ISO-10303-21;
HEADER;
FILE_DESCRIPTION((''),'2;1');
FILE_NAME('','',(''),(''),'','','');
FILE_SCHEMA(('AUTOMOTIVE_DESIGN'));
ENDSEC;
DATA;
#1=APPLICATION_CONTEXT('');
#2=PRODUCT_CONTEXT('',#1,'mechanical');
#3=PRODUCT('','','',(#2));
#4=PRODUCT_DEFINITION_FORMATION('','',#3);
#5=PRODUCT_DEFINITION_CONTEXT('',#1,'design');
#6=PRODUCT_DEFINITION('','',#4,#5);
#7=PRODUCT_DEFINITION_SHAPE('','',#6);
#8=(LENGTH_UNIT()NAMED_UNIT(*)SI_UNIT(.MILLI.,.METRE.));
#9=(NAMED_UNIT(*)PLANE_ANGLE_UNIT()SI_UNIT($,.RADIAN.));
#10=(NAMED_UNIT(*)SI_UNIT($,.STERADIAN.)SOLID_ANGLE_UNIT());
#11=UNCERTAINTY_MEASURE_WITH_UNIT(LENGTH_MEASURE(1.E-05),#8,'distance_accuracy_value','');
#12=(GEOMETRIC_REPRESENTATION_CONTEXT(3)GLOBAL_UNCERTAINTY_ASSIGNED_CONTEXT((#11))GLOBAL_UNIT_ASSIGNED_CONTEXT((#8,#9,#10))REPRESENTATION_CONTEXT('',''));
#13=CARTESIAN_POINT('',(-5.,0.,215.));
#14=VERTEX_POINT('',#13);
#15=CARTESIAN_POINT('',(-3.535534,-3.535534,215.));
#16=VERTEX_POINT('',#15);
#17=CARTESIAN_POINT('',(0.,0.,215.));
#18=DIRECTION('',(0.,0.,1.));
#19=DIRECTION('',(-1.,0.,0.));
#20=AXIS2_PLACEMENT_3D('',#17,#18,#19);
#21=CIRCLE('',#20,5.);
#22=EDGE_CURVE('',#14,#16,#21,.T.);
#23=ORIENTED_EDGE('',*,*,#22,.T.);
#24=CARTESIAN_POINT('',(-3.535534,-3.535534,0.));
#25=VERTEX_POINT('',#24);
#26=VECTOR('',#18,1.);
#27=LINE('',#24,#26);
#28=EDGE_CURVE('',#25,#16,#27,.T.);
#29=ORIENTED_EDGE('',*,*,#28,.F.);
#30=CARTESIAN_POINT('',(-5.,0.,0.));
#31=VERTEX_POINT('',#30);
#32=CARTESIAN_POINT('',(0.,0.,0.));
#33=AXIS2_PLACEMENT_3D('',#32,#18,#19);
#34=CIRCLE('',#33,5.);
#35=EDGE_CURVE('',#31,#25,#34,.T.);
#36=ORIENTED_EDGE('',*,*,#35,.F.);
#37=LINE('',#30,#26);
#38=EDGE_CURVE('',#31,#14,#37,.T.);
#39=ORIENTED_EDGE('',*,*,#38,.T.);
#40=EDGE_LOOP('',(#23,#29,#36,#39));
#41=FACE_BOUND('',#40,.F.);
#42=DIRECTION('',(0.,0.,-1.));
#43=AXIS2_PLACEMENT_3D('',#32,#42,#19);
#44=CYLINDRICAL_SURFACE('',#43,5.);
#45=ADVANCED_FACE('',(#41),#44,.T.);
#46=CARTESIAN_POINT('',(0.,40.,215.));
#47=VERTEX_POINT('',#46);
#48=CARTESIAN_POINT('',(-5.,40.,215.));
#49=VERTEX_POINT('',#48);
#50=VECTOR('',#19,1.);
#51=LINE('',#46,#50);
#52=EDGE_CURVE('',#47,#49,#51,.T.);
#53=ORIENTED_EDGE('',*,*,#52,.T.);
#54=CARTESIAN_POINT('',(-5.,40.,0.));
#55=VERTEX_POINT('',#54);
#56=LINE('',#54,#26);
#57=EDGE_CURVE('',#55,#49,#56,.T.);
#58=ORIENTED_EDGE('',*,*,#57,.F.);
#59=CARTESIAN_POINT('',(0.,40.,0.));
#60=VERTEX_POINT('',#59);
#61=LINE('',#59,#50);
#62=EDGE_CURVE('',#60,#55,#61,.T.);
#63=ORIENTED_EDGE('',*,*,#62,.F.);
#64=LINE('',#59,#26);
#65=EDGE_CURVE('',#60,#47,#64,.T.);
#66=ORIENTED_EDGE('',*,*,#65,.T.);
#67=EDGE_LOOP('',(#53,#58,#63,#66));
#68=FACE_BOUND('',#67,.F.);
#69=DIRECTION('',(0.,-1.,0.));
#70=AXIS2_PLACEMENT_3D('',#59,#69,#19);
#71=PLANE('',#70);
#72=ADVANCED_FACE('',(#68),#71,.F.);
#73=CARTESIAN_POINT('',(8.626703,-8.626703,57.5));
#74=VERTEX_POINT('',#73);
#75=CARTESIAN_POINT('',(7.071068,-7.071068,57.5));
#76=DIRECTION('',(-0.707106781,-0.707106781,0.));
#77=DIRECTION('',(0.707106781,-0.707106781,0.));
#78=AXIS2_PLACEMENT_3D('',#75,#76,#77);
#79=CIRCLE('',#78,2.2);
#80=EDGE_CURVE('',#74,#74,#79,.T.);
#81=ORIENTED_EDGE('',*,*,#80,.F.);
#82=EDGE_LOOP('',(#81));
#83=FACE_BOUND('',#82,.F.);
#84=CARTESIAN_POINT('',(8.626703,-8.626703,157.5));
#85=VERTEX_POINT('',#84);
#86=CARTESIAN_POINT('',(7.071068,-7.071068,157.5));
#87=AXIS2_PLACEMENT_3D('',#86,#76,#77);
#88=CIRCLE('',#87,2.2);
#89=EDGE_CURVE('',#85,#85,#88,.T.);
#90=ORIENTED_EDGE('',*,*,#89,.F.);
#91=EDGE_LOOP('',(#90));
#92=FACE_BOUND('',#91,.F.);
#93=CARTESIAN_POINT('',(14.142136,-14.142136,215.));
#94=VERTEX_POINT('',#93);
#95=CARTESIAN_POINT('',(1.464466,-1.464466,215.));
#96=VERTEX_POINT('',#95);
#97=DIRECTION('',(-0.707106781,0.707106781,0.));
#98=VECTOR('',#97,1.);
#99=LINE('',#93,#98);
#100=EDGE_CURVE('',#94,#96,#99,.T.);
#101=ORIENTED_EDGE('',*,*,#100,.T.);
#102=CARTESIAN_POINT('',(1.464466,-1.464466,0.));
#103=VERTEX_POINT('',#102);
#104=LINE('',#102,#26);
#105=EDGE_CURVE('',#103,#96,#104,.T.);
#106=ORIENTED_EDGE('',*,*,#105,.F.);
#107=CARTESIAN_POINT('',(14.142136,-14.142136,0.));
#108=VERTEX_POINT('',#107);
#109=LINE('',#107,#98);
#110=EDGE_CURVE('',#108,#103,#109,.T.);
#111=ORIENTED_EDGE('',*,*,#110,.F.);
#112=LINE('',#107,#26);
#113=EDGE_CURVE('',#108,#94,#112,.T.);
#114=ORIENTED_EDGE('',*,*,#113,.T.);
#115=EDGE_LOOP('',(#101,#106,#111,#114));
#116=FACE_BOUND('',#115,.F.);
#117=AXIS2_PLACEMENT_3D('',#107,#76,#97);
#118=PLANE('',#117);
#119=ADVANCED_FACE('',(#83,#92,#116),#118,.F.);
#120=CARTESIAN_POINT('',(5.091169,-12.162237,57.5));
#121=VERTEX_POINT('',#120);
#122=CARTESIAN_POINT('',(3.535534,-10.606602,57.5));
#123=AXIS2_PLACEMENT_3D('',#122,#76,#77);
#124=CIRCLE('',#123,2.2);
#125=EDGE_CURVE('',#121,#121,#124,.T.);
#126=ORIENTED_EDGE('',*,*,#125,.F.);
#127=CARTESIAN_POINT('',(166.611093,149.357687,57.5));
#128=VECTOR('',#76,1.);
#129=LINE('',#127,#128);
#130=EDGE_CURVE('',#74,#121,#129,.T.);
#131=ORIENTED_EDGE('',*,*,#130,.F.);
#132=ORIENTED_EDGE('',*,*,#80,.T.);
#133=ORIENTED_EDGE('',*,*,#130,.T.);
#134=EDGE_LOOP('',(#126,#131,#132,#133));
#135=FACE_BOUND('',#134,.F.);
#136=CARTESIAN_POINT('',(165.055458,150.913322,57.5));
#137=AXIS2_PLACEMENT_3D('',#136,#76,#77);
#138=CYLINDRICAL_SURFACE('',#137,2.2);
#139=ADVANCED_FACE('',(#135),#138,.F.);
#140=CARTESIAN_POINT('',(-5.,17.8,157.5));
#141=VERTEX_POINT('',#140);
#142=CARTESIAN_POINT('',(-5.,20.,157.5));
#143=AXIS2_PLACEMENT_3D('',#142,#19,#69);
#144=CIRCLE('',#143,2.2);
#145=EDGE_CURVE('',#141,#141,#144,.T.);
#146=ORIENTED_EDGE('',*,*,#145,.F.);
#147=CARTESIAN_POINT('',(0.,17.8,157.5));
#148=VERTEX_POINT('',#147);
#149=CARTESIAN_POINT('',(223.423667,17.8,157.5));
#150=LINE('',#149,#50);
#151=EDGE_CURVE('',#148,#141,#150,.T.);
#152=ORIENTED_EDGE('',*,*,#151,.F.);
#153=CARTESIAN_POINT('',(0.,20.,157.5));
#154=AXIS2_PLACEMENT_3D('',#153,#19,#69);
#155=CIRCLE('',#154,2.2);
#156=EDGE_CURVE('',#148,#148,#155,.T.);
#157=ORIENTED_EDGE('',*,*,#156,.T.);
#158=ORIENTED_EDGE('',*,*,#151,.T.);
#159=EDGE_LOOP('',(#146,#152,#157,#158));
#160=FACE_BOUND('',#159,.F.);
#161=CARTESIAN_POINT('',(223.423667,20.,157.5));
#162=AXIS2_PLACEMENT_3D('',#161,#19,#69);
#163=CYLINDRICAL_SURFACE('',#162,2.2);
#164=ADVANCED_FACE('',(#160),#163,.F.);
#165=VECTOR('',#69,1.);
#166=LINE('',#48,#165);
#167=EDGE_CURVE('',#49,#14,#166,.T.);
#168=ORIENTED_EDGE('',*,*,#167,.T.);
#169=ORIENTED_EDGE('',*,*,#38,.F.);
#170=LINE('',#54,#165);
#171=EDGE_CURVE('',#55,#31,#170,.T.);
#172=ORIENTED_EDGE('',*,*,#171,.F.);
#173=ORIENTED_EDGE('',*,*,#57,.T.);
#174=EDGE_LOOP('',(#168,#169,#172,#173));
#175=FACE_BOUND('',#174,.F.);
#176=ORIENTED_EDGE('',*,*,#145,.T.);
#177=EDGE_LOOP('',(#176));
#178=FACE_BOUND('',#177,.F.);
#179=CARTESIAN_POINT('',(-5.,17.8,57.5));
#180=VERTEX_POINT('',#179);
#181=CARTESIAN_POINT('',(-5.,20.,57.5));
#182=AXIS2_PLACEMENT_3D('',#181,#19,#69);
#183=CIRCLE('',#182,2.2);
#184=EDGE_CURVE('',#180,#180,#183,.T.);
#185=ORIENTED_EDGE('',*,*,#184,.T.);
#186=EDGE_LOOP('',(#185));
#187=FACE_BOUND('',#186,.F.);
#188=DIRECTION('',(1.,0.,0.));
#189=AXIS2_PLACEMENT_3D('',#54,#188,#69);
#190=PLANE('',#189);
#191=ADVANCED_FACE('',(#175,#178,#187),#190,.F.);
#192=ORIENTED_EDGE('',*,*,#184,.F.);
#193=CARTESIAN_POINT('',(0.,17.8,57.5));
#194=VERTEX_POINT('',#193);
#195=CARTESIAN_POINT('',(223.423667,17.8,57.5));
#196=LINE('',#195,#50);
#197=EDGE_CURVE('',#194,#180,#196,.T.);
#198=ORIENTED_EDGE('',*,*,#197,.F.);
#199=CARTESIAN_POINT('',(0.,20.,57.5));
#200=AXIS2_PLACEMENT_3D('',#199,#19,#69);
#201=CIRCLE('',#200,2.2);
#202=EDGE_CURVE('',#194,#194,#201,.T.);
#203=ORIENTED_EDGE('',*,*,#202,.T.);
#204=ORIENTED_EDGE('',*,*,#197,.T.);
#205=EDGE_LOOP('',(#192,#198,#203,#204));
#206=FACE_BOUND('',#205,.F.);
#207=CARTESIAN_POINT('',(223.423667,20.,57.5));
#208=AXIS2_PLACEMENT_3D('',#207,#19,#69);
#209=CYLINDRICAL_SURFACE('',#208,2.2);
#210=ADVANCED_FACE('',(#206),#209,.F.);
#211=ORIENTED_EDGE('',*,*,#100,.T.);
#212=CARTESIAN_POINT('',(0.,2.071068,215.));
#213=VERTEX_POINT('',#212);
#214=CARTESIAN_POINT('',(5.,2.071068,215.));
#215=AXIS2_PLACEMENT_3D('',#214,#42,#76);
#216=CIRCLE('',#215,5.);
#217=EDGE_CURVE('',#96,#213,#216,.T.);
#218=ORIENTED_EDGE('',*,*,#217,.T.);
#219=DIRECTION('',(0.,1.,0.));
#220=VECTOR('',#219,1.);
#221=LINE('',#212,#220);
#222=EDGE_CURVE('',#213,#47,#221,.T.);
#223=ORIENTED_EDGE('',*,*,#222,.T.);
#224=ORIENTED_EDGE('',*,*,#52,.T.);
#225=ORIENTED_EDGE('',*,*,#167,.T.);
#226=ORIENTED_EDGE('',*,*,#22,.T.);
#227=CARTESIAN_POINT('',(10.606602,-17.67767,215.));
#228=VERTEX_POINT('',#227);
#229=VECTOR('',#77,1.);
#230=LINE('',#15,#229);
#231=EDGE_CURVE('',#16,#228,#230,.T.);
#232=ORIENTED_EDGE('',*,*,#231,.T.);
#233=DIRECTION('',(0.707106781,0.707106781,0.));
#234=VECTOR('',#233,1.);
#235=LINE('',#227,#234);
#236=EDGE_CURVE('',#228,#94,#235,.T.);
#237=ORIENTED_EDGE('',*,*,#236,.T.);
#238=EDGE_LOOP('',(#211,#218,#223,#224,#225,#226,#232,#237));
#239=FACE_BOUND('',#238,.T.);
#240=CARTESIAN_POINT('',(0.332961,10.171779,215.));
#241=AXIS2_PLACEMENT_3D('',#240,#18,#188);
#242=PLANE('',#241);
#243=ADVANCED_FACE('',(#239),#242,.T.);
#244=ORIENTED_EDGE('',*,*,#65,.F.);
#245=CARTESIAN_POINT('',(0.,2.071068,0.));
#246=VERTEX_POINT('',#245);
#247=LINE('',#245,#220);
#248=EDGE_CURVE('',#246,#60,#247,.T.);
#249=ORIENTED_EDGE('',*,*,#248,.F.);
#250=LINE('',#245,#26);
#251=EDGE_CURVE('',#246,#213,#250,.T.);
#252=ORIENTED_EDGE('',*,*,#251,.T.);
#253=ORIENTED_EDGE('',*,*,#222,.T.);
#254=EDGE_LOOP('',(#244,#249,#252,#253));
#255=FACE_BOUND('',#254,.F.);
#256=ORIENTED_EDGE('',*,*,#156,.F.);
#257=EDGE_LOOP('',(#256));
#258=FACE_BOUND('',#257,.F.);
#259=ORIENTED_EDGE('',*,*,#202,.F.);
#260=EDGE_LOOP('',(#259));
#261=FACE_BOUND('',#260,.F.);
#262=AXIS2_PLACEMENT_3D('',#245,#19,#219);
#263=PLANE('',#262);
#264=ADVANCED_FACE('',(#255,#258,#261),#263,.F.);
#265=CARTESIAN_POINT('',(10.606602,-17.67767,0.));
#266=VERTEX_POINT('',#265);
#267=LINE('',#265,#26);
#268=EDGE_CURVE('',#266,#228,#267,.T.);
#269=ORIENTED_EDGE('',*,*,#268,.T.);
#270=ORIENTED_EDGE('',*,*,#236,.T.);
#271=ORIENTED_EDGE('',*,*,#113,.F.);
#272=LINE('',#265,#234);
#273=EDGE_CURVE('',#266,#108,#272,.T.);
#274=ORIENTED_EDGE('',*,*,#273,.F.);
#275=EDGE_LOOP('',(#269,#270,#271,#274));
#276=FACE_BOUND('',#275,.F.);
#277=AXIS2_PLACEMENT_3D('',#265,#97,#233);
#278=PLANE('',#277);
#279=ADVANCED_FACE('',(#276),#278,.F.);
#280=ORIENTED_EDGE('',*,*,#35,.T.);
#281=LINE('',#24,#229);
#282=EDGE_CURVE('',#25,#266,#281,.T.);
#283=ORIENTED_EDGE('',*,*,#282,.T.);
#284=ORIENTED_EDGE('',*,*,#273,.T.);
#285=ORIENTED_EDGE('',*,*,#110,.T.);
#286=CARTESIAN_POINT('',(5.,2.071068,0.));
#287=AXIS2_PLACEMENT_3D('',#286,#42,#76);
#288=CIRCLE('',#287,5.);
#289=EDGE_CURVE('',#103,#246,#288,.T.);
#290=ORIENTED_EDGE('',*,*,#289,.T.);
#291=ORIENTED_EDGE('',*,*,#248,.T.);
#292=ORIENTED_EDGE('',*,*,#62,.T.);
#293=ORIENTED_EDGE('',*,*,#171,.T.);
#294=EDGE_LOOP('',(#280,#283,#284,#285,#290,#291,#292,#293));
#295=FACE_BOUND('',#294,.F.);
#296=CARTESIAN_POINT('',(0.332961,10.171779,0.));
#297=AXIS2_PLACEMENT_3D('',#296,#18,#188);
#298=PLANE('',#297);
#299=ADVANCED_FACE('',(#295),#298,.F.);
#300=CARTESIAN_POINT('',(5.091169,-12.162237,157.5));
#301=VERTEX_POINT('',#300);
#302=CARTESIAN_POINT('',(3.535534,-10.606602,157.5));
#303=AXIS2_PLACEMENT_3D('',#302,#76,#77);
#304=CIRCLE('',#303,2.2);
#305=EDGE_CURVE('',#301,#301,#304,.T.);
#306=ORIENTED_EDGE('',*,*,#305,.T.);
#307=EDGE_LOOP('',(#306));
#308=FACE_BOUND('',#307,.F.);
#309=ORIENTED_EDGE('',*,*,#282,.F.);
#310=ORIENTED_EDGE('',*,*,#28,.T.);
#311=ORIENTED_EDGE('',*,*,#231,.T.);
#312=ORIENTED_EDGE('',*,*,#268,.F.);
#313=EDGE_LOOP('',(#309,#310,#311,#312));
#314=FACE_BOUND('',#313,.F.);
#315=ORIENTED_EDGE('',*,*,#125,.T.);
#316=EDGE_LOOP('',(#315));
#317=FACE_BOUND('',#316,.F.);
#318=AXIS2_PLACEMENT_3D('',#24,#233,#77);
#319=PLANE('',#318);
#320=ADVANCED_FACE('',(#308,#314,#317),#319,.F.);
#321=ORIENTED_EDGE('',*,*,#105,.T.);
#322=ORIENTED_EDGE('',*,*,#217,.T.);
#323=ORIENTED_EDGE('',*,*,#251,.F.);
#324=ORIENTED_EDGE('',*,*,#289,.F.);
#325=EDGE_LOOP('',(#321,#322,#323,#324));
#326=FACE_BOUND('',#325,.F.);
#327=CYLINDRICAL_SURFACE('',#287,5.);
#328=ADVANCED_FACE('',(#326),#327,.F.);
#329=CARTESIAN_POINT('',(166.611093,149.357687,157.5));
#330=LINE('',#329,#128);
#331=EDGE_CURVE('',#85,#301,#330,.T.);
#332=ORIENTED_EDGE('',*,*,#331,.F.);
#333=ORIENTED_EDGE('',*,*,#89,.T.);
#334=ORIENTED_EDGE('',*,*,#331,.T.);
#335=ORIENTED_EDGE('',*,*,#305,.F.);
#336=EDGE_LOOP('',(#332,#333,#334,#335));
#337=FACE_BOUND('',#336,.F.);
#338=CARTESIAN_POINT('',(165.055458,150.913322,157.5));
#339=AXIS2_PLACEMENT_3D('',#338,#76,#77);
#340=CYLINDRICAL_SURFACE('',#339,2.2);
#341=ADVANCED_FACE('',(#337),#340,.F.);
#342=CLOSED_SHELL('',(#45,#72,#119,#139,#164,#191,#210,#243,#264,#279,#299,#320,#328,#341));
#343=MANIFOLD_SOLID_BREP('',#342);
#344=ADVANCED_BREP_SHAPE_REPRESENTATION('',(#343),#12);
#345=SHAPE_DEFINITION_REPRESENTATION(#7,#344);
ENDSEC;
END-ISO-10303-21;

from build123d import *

# Parameters (mm, degrees)
F1_DEPTH = 215
F3_D     = 4.4
F5_D     = 4.4


with BuildPart() as f1:
    # F0 (on Top) → F1 (new body)
    with BuildSketch(Plane.XY):
        with BuildLine():
            Line((0, 2.0710678119), (0, 40))
            Line((0, 40), (-5, 40))
            Line((-5, 40), (-5, 0))
            ThreePointArc((-5, 0), (-4.6193976626, -1.9134171618), (-3.5355339059, -3.5355339059))
            Line((-3.5355339059, -3.5355339059), (10.6066017178, -17.6776695297))
            Line((10.6066017178, -17.6776695297), (14.1421356237, -14.1421356237))
            Line((14.1421356237, -14.1421356237), (1.4644660941, -1.4644660941))
            ThreePointArc((1.4644660941, -1.4644660941), (0.3806023374, 0.15765065), (0, 2.0710678119))
        make_face()
    extrude(amount=F1_DEPTH)

    # F3 (through all)
    with Locations(Plane.YZ):
        with Locations((20, 157.5), (20, 57.5)):
            Hole(F3_D / 2)

    # F5 (through all)
    with Locations(Plane(origin=(0, 0, 0), x_dir=(-0.7071067812, 0.7071067812, 0), z_dir=(0.7071067812, 0.7071067812, 0))):
        with Locations((-10, 157.5), (-10, 57.5)):
            Hole(F5_D / 2)


solid = f1.part
